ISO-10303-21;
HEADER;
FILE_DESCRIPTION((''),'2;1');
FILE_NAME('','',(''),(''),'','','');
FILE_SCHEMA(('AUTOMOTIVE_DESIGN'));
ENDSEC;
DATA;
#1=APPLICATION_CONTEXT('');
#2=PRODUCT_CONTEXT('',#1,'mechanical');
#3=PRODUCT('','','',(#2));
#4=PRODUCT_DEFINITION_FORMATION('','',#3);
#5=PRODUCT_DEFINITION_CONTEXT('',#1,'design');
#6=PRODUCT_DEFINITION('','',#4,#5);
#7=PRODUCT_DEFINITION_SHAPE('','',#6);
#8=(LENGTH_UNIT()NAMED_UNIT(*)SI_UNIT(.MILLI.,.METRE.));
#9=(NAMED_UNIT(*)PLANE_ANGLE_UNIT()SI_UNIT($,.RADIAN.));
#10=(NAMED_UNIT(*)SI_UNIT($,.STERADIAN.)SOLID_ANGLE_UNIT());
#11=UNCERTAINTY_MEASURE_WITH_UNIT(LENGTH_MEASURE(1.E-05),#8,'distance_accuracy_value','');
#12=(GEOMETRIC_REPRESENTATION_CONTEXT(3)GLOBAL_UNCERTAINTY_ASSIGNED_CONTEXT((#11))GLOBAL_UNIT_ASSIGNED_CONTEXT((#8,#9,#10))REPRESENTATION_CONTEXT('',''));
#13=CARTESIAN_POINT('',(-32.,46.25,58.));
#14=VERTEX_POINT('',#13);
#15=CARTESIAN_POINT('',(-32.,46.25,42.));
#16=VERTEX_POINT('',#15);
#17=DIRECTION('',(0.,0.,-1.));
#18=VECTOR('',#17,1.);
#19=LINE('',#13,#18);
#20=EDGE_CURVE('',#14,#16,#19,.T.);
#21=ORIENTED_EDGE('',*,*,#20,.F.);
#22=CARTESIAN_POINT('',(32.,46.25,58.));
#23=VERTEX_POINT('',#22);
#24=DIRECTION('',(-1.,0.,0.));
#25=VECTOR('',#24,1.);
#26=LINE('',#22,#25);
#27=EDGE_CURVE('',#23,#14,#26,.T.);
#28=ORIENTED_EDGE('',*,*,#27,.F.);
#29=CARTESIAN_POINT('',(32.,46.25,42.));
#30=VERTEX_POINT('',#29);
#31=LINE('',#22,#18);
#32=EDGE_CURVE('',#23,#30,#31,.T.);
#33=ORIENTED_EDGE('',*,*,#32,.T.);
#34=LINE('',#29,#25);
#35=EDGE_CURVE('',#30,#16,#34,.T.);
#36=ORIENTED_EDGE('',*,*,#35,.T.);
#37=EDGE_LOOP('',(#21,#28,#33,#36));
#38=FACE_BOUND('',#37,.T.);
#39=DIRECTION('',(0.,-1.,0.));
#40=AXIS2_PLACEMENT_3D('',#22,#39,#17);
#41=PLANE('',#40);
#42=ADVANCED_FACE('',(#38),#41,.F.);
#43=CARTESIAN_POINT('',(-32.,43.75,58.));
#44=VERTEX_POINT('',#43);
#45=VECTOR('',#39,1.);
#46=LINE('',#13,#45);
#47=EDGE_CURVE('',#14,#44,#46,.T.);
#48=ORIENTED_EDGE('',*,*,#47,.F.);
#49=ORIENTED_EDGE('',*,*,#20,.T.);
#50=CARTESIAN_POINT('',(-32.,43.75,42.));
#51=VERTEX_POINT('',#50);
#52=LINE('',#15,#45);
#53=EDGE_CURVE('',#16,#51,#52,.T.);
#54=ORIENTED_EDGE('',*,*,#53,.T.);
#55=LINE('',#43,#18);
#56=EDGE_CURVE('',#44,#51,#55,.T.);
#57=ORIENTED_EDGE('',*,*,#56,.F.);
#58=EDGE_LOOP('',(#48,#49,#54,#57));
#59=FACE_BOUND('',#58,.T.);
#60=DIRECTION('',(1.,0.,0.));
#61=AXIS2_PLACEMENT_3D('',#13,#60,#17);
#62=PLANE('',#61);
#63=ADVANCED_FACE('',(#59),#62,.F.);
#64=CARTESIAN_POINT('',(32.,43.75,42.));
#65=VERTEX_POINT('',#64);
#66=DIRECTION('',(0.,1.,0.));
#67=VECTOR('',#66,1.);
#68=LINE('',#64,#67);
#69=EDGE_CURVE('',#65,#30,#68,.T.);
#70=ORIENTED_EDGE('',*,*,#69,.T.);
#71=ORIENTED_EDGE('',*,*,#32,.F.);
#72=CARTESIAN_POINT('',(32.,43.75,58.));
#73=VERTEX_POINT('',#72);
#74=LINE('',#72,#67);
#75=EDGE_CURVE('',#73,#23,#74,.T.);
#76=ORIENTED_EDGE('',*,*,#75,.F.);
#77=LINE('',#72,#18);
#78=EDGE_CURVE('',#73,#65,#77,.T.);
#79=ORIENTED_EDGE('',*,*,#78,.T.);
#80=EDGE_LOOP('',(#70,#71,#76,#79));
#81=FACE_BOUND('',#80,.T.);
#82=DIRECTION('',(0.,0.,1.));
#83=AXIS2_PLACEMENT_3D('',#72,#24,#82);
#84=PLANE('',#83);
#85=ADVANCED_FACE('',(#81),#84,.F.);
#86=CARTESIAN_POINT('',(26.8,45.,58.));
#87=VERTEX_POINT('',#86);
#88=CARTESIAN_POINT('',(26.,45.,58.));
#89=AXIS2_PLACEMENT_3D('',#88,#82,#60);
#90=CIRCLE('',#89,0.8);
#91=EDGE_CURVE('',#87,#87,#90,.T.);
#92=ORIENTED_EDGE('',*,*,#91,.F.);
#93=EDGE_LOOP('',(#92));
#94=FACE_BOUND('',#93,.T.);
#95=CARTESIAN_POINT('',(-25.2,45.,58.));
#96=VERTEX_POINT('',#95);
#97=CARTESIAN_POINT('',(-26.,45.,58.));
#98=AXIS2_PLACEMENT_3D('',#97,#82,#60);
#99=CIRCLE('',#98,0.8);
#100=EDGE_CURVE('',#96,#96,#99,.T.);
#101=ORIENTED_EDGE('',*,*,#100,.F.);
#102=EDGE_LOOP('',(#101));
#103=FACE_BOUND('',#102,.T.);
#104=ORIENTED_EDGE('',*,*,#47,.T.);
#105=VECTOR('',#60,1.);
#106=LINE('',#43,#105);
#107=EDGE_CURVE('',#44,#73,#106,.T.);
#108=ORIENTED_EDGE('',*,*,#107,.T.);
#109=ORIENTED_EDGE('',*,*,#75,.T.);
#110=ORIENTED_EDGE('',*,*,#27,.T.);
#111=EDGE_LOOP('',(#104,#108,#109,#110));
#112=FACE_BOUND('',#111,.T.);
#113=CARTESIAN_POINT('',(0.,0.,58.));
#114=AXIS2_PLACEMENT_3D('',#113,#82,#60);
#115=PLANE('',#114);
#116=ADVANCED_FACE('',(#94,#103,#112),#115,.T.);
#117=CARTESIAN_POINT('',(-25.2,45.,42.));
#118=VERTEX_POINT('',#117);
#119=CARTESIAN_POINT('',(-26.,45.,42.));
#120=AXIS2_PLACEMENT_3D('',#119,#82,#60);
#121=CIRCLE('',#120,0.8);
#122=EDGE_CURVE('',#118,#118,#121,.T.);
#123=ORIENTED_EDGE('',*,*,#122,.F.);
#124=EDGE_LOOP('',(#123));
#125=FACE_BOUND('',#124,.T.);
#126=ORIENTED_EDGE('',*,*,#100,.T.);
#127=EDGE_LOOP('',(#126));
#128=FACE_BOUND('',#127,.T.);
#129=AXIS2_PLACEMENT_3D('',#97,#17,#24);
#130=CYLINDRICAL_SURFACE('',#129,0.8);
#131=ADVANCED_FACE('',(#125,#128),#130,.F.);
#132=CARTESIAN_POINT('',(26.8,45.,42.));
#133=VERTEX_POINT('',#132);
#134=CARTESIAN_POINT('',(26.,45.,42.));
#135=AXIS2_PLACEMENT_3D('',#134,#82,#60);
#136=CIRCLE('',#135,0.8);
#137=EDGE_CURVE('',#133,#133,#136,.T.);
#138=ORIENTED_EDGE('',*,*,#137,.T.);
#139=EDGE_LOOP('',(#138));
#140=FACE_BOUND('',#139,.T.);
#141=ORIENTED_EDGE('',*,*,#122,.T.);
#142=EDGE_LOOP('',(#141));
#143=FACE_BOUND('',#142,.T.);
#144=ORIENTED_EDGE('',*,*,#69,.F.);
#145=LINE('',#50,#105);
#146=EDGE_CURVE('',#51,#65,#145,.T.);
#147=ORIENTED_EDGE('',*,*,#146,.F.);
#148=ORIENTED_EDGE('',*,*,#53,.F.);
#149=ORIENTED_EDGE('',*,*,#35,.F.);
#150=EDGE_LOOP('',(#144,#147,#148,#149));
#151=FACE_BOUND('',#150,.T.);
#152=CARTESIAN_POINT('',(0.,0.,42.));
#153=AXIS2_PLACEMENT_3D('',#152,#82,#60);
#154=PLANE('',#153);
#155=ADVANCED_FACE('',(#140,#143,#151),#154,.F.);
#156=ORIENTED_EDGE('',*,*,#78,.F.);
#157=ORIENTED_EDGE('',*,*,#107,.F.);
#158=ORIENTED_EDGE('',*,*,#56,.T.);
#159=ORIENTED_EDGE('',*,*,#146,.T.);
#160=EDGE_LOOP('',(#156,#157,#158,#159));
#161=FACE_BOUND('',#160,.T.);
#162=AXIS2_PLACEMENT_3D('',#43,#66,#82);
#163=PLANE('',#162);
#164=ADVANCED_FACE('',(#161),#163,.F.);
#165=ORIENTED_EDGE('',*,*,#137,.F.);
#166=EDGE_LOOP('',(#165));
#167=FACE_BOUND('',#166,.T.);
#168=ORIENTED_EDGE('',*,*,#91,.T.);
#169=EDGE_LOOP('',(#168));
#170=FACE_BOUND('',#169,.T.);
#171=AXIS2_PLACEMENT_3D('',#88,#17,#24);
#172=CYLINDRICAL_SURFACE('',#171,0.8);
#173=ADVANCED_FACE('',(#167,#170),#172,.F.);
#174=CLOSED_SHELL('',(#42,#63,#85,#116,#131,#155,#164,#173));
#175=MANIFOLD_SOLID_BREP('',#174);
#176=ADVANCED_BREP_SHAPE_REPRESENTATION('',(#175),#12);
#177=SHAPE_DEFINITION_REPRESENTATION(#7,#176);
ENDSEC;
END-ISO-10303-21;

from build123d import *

# Parameters (mm, degrees)
REPLACEABLE_START                            = 42
SKETCH1_W                                    = 64
SKETCH1_H                                    = 2.5
SKETCH1_R                                    = 0.8
REPLACEABLE_ANGLED_RACK_REACTION_STRIP_DEPTH = 16


with BuildPart() as part:
    # Sketch1 → Replaceable angled-rack reaction strip (new body)
    with BuildSketch(Plane.XY.offset(REPLACEABLE_START)):
        with Locations((0, 45)):
            Rectangle(SKETCH1_W, SKETCH1_H)
        with Locations((-26, 45)):
            Circle(SKETCH1_R, mode=Mode.SUBTRACT)
        with Locations((26, 45)):
            Circle(SKETCH1_R, mode=Mode.SUBTRACT)
    extrude(amount=REPLACEABLE_ANGLED_RACK_REACTION_STRIP_DEPTH)


solid = part.part
